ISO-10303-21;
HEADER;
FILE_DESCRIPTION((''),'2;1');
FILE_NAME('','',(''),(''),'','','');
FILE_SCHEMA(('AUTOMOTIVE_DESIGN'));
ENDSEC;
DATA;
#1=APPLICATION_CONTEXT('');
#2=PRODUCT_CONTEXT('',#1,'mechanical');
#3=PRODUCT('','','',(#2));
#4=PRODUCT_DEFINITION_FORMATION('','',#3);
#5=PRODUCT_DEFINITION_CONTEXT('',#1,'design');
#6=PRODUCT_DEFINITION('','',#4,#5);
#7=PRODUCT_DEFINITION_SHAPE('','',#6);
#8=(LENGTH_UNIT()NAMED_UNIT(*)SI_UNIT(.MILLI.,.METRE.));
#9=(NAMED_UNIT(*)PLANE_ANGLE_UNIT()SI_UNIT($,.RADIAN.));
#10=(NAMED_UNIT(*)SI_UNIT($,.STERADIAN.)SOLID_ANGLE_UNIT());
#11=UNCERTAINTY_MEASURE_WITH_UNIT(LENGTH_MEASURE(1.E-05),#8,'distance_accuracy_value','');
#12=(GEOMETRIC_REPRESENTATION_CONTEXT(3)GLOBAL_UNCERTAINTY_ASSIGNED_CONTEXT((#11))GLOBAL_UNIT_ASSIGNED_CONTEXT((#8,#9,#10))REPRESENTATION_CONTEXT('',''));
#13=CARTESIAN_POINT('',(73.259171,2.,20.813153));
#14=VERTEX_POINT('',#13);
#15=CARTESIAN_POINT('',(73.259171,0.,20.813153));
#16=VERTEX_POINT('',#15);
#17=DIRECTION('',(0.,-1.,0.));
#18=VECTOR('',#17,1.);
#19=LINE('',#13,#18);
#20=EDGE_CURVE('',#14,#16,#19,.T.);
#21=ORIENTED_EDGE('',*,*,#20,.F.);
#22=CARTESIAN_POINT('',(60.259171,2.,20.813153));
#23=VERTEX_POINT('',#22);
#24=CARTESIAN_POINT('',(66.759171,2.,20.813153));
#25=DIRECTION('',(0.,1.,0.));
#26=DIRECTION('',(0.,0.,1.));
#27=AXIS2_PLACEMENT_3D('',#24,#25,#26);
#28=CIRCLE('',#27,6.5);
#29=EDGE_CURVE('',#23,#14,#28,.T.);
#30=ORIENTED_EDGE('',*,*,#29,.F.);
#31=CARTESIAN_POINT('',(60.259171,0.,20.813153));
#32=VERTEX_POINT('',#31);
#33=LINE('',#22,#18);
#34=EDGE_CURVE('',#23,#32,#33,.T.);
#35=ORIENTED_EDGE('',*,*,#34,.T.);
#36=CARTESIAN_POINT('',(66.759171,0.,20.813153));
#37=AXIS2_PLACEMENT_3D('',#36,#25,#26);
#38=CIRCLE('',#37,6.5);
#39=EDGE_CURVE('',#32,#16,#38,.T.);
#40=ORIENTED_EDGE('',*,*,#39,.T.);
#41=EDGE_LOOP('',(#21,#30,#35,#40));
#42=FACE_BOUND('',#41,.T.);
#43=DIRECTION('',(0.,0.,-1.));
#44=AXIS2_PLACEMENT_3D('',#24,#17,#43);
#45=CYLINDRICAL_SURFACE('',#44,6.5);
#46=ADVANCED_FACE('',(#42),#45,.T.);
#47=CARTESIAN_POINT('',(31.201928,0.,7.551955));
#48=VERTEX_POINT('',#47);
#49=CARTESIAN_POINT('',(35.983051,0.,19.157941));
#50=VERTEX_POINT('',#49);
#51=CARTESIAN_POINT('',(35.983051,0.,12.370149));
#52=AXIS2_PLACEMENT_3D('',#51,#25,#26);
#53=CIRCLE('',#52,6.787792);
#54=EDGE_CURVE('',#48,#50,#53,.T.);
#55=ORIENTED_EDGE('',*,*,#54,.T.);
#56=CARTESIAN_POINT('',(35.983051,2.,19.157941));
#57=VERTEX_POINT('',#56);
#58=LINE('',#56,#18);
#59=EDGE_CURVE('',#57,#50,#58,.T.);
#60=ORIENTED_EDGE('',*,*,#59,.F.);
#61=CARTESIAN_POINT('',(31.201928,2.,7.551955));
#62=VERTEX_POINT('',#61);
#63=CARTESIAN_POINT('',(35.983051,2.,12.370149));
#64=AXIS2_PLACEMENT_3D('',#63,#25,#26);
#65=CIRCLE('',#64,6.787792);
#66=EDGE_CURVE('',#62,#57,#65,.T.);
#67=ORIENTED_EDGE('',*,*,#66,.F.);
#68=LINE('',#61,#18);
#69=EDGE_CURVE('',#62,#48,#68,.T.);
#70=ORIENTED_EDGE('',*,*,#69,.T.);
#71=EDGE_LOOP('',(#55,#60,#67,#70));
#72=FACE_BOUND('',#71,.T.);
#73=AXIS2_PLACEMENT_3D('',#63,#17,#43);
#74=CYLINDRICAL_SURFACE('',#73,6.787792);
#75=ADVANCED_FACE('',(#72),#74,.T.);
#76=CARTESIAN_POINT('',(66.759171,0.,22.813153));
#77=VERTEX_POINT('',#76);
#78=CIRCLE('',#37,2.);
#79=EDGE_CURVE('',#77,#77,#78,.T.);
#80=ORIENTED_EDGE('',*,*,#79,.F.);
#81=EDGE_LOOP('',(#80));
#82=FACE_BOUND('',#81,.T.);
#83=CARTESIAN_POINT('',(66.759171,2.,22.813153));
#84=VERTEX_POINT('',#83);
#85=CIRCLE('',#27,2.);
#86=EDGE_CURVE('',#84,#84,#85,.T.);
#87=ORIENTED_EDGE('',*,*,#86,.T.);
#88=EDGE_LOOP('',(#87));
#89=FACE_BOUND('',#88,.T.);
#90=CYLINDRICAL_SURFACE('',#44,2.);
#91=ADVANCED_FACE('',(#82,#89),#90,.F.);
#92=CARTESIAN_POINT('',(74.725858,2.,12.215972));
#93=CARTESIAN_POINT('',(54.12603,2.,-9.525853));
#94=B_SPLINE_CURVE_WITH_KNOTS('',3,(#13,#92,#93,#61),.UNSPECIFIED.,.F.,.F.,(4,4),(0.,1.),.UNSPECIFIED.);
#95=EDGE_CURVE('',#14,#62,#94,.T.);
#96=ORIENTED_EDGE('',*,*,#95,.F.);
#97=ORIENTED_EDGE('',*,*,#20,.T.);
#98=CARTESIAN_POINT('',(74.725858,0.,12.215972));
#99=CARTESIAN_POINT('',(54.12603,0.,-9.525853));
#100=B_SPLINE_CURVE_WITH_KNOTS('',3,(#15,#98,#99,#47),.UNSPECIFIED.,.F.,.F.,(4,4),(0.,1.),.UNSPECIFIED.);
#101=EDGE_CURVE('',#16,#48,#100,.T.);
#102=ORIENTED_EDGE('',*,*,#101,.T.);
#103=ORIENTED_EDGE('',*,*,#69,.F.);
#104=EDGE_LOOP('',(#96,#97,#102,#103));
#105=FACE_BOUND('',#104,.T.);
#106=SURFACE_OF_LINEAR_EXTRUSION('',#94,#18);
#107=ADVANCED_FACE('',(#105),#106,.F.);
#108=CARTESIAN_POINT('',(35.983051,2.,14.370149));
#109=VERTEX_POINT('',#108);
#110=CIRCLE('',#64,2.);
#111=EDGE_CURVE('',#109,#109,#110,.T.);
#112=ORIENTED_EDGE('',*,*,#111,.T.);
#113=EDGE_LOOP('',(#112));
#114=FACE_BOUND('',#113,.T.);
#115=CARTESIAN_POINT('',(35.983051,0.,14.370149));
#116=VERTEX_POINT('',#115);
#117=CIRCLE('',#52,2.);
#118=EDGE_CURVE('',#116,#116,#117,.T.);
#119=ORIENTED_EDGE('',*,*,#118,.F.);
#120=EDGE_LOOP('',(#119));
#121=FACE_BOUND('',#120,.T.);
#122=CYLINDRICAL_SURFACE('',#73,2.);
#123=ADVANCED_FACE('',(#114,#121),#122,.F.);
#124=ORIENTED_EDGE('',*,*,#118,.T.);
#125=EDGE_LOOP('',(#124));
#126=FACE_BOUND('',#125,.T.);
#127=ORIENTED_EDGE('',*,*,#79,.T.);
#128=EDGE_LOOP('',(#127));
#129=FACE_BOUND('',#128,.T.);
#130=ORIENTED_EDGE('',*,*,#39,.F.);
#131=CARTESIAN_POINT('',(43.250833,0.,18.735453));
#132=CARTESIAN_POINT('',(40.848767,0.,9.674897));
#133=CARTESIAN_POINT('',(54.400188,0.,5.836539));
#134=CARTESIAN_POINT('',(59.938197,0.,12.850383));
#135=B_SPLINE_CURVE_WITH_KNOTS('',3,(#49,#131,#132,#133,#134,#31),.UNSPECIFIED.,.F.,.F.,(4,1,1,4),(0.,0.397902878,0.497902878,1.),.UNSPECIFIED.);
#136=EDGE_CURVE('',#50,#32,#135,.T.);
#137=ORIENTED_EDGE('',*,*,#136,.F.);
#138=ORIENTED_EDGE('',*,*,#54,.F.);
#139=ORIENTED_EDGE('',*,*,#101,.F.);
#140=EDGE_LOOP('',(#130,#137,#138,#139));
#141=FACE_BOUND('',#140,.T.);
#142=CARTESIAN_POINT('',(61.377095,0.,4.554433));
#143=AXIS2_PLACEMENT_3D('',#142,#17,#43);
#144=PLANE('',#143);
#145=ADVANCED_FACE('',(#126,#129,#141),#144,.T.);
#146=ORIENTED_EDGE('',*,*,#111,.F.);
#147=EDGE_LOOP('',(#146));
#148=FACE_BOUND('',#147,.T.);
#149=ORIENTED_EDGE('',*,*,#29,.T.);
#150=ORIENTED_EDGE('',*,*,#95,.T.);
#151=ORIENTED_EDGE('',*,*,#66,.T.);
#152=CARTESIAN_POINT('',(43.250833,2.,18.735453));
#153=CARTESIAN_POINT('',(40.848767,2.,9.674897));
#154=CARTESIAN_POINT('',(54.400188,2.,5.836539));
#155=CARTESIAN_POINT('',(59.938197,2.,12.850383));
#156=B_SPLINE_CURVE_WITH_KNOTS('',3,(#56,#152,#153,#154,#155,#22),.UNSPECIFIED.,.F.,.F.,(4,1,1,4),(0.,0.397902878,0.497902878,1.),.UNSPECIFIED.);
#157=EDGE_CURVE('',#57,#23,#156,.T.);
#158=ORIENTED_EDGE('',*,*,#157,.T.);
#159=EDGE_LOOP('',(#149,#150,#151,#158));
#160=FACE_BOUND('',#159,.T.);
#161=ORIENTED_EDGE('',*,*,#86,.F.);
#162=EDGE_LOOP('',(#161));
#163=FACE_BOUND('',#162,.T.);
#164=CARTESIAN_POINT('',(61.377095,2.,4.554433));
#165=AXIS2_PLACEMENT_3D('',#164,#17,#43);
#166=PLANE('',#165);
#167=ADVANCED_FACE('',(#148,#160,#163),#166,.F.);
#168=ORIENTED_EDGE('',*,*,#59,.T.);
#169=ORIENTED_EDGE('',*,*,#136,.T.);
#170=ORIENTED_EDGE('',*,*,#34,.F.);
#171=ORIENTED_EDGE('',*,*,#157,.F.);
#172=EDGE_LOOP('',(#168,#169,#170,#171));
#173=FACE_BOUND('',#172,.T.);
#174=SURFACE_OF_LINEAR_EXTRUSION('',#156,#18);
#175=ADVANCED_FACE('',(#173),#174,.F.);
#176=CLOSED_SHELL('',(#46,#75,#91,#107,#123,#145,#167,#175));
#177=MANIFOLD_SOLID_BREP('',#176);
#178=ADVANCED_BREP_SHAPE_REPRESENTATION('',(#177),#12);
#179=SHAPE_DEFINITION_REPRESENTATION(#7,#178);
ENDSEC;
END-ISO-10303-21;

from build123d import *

# Parameters (mm, degrees)
SKETCH1_R           = 2
BOSS_EXTRUDE1_DEPTH = 2


with BuildPart() as part:
    # Sketch1 → Boss-Extrude1 (new body)
    with BuildSketch(Plane(origin=(0, 0, 0), x_dir=(1, 0, 0), z_dir=(0, 1, 0))):
        with BuildLine():
            ThreePointArc((60.25917084, -20.813153262), (66.75917084, -27.313153262), (73.25917084, -20.813153262))
            add(Edge.make_bspline(
                [(73.25917084, -20.813153262), (74.725858168, -12.215971783), (54.126029771, 9.525852706), (31.201928349, -7.551955027)],
                knots=[0, 0, 0, 0, 1, 1, 1, 1], degree=3))
            ThreePointArc((31.201928349, -7.551955027), (29.706944434, -14.955610566), (35.983050773, -19.157941046))
            add(Edge.make_bspline(
                [(35.983050773, -19.157941046), (43.250832756, -18.735453142), (40.848767318, -9.67489742), (54.400187509, -5.83653854), (59.938197313, -12.850383441), (60.25917084, -20.813153262)],
                knots=[0, 0, 0, 0, 0.397902878, 0.497902878, 1, 1, 1, 1], degree=3))
        make_face()
        with Locations(Location((35.983050773, -12.37014883, 0), (0, 0, 270))):
            Circle(SKETCH1_R, mode=Mode.SUBTRACT)
        with Locations(Location((66.75917084, -20.813153262, 0), (0, 0, 270))):
            Circle(SKETCH1_R, mode=Mode.SUBTRACT)
    extrude(amount=BOSS_EXTRUDE1_DEPTH)


solid = part.part
